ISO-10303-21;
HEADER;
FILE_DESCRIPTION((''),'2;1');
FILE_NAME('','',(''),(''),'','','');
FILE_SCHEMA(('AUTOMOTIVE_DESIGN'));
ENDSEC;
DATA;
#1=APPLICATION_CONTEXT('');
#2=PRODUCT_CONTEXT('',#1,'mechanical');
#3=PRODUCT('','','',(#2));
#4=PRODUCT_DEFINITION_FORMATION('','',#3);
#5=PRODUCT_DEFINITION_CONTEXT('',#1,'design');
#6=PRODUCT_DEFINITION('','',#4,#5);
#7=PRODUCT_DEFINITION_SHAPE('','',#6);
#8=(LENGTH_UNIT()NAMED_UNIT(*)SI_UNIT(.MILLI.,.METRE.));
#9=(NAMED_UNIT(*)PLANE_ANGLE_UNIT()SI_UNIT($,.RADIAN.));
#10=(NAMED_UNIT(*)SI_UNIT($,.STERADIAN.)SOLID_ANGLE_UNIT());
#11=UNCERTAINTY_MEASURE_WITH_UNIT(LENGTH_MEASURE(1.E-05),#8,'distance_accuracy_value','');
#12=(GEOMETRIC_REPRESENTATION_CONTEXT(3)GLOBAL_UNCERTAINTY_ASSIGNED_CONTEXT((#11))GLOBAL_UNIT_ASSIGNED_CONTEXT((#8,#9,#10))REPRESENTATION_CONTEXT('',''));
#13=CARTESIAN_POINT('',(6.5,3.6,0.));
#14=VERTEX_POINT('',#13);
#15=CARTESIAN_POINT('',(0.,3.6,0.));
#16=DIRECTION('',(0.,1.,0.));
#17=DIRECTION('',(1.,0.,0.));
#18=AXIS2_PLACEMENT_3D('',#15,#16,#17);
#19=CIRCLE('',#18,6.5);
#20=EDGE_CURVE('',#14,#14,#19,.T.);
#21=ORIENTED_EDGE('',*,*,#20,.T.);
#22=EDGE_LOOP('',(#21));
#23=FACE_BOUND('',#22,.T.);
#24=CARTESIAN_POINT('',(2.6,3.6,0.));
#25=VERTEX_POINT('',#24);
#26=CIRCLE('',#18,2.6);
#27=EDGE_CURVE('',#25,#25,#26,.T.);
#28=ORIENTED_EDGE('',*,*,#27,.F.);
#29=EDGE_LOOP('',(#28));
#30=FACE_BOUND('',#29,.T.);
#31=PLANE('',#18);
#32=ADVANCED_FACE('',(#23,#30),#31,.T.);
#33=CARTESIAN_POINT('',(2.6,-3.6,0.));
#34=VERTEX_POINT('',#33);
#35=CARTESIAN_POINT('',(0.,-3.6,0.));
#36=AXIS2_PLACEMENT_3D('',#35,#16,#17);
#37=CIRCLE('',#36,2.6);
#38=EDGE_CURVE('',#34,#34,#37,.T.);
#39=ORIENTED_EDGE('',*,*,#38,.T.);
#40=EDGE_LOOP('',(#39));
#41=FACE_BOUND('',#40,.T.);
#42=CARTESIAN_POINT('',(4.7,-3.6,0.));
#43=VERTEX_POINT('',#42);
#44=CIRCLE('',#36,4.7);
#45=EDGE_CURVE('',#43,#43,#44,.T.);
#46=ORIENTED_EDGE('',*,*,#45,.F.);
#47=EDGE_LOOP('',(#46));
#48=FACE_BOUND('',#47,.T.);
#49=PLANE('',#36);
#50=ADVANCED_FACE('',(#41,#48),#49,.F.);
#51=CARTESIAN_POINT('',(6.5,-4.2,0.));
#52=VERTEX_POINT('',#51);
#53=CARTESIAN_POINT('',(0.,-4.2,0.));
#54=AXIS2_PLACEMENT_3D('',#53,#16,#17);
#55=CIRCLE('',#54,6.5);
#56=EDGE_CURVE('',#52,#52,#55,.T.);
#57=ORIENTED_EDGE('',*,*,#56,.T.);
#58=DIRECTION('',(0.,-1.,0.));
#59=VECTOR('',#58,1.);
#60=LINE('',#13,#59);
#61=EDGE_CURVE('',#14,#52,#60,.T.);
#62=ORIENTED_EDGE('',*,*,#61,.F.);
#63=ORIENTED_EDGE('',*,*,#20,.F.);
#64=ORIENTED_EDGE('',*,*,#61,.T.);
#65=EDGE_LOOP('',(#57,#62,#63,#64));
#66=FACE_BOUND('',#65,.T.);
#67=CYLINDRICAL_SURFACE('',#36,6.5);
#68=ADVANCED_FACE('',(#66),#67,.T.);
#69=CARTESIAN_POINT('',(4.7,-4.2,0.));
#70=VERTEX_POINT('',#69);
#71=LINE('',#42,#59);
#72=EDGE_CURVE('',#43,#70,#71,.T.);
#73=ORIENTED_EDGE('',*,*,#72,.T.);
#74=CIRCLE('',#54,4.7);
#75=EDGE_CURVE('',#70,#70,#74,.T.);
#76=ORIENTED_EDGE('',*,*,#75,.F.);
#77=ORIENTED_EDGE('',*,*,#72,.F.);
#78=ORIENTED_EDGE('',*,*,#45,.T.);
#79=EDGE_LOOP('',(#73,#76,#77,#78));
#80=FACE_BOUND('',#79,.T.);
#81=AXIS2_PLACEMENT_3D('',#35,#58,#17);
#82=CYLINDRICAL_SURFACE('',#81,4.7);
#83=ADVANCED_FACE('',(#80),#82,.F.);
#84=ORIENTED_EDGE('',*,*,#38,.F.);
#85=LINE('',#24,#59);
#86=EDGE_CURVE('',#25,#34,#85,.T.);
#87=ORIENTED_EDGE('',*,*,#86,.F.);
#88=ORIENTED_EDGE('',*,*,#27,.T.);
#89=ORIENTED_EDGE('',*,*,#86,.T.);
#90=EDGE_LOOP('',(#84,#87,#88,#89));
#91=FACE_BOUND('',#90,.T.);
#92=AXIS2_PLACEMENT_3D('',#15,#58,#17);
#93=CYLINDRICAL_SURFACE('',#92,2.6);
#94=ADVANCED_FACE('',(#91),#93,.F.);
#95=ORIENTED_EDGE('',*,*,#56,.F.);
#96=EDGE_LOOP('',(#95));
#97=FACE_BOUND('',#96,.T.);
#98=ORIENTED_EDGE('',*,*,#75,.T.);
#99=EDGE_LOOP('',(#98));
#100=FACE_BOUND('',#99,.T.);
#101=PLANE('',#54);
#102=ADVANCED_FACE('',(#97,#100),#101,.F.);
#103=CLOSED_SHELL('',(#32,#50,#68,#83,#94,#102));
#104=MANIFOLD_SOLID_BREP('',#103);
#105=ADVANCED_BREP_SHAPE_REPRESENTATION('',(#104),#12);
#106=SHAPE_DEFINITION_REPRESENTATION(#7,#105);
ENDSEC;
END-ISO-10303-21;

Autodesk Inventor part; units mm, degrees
ref_plane "YZ Plane" through (0, 0, 0) normal (1, 0, 0) x (0, 1, 0)
ref_plane "XZ Plane" through (0, 0, 0) normal (0, 1, 0) x (-1, 0, 0)
ref_plane "XY Plane" through (0, 0, 0) normal (0, 0, 1) x (1, 0, 0)
sketch "スケッチ1" plane through (0, 0, 0) normal (0, 0, 1) x (1, 0, 0)
  line L0 (2.6, 3.6) -> (2.6, -3.6)
  line L1 (2.6, -3.6) -> (6.5, -3.6)
  line L2 (6.5, -3.6) -> (6.5, 3.6)
  line L3 (6.5, 3.6) -> (2.6, 3.6)
  line L4 (0, -5.76) -> (0, 5.16) projected
  line L5 (6.5, -3.6) -> (4.7, -3.6)
  line L6 (4.7, -3.6) -> (4.7, -4.2)
  line L7 (4.7, -4.2) -> (6.5, -4.2)
  line L8 (6.5, -4.2) -> (6.5, -3.6)
  point P0 (0, 0)
  point P1 (2.6, 0)
  dimension "d1" = 2.6
  dimension "d2" = 6.5
  dimension "d3" = 7.2
  dimension "d8" = 0.6
  dimension "d9" = 4.7
revolve "回転1" add sketch "スケッチ1" angle 360 about axis through (0, -10, 0) along (0, 1, 0)
properties part number "膝_同軸_スペーサ_1_2" material "アセタール樹脂、黒"
